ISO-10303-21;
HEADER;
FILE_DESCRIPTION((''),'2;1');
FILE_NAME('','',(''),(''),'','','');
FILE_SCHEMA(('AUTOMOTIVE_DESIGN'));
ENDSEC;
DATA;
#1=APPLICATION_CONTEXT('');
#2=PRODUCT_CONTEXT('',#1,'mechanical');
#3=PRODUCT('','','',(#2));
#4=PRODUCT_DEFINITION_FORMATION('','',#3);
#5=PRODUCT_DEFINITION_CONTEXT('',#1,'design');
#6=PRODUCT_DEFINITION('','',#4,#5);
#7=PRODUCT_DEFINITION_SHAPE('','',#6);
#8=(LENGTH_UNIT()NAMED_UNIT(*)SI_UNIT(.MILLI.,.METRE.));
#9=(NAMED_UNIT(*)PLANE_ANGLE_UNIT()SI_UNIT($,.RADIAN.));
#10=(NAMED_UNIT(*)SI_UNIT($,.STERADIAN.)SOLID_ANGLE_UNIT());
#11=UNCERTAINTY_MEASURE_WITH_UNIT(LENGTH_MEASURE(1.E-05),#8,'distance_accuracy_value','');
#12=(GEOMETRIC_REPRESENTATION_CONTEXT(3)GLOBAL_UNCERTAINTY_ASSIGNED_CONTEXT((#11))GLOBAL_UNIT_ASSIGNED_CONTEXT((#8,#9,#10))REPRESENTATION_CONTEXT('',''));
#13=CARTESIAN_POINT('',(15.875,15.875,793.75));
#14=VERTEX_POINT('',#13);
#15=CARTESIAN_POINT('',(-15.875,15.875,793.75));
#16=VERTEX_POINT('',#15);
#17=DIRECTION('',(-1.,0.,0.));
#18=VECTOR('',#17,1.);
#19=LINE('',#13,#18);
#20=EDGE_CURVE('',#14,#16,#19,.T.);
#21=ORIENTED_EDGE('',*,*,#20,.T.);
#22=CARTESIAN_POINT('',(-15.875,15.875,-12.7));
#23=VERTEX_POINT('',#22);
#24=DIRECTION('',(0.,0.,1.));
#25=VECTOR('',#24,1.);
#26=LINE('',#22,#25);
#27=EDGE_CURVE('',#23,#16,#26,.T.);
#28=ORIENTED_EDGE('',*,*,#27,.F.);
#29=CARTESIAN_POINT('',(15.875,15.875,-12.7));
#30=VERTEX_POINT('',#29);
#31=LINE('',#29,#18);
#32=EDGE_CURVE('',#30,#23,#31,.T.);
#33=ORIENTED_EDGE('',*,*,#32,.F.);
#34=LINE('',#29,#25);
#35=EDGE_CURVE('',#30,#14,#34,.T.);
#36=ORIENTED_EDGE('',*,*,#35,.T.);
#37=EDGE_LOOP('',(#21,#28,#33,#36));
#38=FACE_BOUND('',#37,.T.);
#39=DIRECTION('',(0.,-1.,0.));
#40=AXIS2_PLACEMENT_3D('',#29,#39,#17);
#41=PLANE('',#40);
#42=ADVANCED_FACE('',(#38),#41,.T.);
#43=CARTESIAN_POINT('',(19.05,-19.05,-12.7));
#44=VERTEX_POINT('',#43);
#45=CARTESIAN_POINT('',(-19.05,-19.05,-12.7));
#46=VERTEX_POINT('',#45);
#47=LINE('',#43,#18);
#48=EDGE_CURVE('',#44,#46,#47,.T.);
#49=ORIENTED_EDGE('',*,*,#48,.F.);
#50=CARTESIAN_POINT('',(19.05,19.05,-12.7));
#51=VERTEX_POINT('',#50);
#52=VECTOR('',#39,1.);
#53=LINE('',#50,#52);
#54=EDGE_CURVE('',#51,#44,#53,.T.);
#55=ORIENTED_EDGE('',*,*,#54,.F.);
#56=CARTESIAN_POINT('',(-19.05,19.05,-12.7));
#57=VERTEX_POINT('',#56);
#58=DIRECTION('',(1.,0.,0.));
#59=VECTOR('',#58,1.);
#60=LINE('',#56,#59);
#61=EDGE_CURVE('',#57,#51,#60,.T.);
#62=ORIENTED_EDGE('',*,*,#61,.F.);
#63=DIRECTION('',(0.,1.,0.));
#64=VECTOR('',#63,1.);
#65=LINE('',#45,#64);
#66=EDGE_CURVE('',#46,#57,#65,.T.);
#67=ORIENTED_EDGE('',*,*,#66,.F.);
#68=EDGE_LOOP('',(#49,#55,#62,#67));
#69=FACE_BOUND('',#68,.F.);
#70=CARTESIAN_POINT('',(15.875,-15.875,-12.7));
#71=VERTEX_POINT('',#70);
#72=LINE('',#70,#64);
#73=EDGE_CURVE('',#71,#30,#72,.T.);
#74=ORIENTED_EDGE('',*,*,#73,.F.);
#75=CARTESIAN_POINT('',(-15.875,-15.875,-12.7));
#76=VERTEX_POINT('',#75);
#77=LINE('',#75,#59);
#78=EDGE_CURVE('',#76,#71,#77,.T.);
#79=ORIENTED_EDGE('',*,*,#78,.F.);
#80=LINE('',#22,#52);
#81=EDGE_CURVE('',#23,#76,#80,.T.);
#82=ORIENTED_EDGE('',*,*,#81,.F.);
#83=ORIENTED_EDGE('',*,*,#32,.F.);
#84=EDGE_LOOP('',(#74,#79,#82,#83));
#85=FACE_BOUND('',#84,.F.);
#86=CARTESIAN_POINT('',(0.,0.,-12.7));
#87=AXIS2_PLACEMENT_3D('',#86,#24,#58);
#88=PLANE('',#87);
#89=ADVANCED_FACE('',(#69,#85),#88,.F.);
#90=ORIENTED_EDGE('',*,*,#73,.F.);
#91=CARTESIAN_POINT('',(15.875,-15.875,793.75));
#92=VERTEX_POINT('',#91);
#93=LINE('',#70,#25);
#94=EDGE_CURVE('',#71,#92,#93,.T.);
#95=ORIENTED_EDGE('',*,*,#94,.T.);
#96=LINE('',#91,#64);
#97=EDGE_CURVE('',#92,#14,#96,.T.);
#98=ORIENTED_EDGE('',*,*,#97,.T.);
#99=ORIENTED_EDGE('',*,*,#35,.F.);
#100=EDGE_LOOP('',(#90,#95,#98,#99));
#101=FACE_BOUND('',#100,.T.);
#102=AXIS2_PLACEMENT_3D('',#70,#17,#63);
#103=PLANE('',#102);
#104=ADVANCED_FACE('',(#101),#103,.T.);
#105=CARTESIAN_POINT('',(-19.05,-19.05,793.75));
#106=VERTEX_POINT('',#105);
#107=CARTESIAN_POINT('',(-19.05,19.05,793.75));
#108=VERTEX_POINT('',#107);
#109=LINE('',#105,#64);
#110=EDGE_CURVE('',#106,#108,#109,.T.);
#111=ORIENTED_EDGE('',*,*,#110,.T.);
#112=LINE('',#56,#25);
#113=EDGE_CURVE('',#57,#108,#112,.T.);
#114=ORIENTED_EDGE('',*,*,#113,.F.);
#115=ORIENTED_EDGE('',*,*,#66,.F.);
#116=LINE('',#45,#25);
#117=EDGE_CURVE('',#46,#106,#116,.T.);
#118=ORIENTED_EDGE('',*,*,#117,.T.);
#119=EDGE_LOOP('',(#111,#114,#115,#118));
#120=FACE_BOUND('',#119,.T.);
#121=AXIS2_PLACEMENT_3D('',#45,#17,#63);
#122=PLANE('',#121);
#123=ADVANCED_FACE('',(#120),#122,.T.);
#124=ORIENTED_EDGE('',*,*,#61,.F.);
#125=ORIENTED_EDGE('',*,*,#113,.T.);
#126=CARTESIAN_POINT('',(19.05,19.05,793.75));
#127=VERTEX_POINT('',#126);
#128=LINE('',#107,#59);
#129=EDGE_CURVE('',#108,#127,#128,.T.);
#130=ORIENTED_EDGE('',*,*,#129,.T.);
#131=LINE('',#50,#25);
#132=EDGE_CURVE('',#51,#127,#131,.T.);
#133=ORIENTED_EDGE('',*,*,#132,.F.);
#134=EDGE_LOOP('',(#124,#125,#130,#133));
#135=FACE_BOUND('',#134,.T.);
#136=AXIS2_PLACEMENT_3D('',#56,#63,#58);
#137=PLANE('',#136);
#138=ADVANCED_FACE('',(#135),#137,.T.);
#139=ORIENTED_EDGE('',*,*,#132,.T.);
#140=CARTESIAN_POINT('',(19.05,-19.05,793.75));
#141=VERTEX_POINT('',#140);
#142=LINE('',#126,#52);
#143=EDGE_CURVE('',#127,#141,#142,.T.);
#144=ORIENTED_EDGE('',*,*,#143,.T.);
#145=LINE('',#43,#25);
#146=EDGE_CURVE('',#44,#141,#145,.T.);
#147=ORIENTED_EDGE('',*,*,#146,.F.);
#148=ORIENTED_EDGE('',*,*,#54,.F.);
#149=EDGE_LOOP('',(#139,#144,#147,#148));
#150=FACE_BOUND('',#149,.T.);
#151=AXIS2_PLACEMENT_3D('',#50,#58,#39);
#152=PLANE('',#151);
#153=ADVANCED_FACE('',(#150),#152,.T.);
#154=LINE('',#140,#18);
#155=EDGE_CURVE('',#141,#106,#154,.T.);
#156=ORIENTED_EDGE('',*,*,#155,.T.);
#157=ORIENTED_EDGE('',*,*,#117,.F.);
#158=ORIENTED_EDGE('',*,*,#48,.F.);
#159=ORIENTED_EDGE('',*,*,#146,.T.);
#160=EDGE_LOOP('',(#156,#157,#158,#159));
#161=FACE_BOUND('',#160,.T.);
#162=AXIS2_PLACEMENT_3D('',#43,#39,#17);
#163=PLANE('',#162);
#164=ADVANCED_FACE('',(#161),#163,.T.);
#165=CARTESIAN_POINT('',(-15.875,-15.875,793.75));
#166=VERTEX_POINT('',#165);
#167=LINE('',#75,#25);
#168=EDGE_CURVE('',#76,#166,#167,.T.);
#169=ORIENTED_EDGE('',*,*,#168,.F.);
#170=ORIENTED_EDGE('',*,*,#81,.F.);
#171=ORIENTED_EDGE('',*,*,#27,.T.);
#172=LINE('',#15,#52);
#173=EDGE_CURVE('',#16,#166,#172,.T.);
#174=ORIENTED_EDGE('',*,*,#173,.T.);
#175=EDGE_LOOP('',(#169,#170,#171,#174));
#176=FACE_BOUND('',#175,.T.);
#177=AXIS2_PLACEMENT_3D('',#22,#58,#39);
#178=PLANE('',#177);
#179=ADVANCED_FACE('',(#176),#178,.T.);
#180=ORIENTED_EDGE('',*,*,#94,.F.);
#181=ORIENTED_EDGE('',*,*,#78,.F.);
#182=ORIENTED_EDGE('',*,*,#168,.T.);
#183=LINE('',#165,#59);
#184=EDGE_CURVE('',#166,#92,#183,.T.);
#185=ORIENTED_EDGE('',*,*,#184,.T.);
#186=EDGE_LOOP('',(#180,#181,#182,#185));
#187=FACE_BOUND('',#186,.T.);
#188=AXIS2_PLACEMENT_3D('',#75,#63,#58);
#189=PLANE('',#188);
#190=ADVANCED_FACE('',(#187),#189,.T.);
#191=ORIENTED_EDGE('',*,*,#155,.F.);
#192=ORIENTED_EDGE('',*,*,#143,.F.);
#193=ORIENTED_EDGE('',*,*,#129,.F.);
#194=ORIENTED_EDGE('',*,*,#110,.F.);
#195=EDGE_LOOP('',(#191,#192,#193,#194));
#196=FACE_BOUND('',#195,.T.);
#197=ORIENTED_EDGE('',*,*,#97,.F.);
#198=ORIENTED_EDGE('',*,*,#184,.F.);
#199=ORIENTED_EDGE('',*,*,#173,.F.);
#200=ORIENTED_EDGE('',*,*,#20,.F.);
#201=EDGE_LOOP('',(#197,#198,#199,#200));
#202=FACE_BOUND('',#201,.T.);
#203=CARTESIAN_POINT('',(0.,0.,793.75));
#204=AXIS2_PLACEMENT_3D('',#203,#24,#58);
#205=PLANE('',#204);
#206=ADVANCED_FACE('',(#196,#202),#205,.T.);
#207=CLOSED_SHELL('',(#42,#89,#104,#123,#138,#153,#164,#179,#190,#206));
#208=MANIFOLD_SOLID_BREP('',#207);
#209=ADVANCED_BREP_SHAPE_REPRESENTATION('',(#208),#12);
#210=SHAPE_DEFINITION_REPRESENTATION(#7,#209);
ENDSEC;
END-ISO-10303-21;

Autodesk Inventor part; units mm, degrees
ref_plane "Start Plane" through (0, 0, -12.7) normal (0, 0, 1) x (1, 0, 0)
ref_plane "End Plane" through (0, 0, 793.75) normal (0, 0, 1) x (1, 0, 0)
sketch "Sketch" plane through (0, 0, 0) normal (0, 0, 1) x (1, 0, 0)
  line L0 (-19.05, 19.05) -> (19.05, 19.05)
  line L1 (19.05, 19.05) -> (19.05, -19.05)
  line L2 (19.05, -19.05) -> (-19.05, -19.05)
  line L3 (-19.05, -19.05) -> (-19.05, 19.05)
  line L4 (15.875, 15.875) -> (-15.875, 15.875)
  line L5 (-15.875, 15.875) -> (-15.875, -15.875)
  line L6 (-15.875, -15.875) -> (15.875, -15.875)
  line L7 (15.875, -15.875) -> (15.875, 15.875)
  point P0 (0, 0)
  point P1 (0, 19.05)
  point P2 (-19.05, 0)
  dimension "width" = 38.1
  dimension "d1" = 3.175
extrude "Body" add sketch "Sketch" along normal up to surface (806.45 mm away) from surface at -12.7
sketch "Sketch4" plane through (0, 0, 0) normal (0, 0, 1) x (1, 0, 0)
  line L0 (0, 0) -> (10, 0)
ref_plane "Work Plane4" through (0, 0, 0) normal (0, -1, 0) x (1, 0, 0)
sketch "Sketch5" plane through (0, 0, 0) normal (0, -1, 0) x (1, 0, 0)
  line L0 (-2, -12.7) -> (12, -12.7)
  line L1 (-2, 793.75) -> (12, 793.75)
  dimension "d9" = 806.45
ref_plane "Work Plane5" through (0, -1149.35, 793.75) normal (0, 0, 1) x (1, 0, 0)
split "Split1" plane through (0, -1149.35, 793.75) removes the side toward (0, 0, 1)
ref_plane "Work Plane6" through (762, 19.05, -12.7) normal (0, 0, -1) x (-1, 0, 0)
split "Split2" plane through (762, 19.05, -12.7) removes the side toward (0, 0, -1)
equation "\"G_OFFSET_START\" = 12.7"
equation "\"G_OFFSET_END\" = -19.05"
equation "\"d4\" = -G_OFFSET_START"
equation "\"d5\" = length + G_OFFSET_END"
equation "\"G_L\" = 812.8"
equation "\"length\" = 812.8"
properties part number "1.5x1.5x.125 Tube" material "Aluminum-6061"
